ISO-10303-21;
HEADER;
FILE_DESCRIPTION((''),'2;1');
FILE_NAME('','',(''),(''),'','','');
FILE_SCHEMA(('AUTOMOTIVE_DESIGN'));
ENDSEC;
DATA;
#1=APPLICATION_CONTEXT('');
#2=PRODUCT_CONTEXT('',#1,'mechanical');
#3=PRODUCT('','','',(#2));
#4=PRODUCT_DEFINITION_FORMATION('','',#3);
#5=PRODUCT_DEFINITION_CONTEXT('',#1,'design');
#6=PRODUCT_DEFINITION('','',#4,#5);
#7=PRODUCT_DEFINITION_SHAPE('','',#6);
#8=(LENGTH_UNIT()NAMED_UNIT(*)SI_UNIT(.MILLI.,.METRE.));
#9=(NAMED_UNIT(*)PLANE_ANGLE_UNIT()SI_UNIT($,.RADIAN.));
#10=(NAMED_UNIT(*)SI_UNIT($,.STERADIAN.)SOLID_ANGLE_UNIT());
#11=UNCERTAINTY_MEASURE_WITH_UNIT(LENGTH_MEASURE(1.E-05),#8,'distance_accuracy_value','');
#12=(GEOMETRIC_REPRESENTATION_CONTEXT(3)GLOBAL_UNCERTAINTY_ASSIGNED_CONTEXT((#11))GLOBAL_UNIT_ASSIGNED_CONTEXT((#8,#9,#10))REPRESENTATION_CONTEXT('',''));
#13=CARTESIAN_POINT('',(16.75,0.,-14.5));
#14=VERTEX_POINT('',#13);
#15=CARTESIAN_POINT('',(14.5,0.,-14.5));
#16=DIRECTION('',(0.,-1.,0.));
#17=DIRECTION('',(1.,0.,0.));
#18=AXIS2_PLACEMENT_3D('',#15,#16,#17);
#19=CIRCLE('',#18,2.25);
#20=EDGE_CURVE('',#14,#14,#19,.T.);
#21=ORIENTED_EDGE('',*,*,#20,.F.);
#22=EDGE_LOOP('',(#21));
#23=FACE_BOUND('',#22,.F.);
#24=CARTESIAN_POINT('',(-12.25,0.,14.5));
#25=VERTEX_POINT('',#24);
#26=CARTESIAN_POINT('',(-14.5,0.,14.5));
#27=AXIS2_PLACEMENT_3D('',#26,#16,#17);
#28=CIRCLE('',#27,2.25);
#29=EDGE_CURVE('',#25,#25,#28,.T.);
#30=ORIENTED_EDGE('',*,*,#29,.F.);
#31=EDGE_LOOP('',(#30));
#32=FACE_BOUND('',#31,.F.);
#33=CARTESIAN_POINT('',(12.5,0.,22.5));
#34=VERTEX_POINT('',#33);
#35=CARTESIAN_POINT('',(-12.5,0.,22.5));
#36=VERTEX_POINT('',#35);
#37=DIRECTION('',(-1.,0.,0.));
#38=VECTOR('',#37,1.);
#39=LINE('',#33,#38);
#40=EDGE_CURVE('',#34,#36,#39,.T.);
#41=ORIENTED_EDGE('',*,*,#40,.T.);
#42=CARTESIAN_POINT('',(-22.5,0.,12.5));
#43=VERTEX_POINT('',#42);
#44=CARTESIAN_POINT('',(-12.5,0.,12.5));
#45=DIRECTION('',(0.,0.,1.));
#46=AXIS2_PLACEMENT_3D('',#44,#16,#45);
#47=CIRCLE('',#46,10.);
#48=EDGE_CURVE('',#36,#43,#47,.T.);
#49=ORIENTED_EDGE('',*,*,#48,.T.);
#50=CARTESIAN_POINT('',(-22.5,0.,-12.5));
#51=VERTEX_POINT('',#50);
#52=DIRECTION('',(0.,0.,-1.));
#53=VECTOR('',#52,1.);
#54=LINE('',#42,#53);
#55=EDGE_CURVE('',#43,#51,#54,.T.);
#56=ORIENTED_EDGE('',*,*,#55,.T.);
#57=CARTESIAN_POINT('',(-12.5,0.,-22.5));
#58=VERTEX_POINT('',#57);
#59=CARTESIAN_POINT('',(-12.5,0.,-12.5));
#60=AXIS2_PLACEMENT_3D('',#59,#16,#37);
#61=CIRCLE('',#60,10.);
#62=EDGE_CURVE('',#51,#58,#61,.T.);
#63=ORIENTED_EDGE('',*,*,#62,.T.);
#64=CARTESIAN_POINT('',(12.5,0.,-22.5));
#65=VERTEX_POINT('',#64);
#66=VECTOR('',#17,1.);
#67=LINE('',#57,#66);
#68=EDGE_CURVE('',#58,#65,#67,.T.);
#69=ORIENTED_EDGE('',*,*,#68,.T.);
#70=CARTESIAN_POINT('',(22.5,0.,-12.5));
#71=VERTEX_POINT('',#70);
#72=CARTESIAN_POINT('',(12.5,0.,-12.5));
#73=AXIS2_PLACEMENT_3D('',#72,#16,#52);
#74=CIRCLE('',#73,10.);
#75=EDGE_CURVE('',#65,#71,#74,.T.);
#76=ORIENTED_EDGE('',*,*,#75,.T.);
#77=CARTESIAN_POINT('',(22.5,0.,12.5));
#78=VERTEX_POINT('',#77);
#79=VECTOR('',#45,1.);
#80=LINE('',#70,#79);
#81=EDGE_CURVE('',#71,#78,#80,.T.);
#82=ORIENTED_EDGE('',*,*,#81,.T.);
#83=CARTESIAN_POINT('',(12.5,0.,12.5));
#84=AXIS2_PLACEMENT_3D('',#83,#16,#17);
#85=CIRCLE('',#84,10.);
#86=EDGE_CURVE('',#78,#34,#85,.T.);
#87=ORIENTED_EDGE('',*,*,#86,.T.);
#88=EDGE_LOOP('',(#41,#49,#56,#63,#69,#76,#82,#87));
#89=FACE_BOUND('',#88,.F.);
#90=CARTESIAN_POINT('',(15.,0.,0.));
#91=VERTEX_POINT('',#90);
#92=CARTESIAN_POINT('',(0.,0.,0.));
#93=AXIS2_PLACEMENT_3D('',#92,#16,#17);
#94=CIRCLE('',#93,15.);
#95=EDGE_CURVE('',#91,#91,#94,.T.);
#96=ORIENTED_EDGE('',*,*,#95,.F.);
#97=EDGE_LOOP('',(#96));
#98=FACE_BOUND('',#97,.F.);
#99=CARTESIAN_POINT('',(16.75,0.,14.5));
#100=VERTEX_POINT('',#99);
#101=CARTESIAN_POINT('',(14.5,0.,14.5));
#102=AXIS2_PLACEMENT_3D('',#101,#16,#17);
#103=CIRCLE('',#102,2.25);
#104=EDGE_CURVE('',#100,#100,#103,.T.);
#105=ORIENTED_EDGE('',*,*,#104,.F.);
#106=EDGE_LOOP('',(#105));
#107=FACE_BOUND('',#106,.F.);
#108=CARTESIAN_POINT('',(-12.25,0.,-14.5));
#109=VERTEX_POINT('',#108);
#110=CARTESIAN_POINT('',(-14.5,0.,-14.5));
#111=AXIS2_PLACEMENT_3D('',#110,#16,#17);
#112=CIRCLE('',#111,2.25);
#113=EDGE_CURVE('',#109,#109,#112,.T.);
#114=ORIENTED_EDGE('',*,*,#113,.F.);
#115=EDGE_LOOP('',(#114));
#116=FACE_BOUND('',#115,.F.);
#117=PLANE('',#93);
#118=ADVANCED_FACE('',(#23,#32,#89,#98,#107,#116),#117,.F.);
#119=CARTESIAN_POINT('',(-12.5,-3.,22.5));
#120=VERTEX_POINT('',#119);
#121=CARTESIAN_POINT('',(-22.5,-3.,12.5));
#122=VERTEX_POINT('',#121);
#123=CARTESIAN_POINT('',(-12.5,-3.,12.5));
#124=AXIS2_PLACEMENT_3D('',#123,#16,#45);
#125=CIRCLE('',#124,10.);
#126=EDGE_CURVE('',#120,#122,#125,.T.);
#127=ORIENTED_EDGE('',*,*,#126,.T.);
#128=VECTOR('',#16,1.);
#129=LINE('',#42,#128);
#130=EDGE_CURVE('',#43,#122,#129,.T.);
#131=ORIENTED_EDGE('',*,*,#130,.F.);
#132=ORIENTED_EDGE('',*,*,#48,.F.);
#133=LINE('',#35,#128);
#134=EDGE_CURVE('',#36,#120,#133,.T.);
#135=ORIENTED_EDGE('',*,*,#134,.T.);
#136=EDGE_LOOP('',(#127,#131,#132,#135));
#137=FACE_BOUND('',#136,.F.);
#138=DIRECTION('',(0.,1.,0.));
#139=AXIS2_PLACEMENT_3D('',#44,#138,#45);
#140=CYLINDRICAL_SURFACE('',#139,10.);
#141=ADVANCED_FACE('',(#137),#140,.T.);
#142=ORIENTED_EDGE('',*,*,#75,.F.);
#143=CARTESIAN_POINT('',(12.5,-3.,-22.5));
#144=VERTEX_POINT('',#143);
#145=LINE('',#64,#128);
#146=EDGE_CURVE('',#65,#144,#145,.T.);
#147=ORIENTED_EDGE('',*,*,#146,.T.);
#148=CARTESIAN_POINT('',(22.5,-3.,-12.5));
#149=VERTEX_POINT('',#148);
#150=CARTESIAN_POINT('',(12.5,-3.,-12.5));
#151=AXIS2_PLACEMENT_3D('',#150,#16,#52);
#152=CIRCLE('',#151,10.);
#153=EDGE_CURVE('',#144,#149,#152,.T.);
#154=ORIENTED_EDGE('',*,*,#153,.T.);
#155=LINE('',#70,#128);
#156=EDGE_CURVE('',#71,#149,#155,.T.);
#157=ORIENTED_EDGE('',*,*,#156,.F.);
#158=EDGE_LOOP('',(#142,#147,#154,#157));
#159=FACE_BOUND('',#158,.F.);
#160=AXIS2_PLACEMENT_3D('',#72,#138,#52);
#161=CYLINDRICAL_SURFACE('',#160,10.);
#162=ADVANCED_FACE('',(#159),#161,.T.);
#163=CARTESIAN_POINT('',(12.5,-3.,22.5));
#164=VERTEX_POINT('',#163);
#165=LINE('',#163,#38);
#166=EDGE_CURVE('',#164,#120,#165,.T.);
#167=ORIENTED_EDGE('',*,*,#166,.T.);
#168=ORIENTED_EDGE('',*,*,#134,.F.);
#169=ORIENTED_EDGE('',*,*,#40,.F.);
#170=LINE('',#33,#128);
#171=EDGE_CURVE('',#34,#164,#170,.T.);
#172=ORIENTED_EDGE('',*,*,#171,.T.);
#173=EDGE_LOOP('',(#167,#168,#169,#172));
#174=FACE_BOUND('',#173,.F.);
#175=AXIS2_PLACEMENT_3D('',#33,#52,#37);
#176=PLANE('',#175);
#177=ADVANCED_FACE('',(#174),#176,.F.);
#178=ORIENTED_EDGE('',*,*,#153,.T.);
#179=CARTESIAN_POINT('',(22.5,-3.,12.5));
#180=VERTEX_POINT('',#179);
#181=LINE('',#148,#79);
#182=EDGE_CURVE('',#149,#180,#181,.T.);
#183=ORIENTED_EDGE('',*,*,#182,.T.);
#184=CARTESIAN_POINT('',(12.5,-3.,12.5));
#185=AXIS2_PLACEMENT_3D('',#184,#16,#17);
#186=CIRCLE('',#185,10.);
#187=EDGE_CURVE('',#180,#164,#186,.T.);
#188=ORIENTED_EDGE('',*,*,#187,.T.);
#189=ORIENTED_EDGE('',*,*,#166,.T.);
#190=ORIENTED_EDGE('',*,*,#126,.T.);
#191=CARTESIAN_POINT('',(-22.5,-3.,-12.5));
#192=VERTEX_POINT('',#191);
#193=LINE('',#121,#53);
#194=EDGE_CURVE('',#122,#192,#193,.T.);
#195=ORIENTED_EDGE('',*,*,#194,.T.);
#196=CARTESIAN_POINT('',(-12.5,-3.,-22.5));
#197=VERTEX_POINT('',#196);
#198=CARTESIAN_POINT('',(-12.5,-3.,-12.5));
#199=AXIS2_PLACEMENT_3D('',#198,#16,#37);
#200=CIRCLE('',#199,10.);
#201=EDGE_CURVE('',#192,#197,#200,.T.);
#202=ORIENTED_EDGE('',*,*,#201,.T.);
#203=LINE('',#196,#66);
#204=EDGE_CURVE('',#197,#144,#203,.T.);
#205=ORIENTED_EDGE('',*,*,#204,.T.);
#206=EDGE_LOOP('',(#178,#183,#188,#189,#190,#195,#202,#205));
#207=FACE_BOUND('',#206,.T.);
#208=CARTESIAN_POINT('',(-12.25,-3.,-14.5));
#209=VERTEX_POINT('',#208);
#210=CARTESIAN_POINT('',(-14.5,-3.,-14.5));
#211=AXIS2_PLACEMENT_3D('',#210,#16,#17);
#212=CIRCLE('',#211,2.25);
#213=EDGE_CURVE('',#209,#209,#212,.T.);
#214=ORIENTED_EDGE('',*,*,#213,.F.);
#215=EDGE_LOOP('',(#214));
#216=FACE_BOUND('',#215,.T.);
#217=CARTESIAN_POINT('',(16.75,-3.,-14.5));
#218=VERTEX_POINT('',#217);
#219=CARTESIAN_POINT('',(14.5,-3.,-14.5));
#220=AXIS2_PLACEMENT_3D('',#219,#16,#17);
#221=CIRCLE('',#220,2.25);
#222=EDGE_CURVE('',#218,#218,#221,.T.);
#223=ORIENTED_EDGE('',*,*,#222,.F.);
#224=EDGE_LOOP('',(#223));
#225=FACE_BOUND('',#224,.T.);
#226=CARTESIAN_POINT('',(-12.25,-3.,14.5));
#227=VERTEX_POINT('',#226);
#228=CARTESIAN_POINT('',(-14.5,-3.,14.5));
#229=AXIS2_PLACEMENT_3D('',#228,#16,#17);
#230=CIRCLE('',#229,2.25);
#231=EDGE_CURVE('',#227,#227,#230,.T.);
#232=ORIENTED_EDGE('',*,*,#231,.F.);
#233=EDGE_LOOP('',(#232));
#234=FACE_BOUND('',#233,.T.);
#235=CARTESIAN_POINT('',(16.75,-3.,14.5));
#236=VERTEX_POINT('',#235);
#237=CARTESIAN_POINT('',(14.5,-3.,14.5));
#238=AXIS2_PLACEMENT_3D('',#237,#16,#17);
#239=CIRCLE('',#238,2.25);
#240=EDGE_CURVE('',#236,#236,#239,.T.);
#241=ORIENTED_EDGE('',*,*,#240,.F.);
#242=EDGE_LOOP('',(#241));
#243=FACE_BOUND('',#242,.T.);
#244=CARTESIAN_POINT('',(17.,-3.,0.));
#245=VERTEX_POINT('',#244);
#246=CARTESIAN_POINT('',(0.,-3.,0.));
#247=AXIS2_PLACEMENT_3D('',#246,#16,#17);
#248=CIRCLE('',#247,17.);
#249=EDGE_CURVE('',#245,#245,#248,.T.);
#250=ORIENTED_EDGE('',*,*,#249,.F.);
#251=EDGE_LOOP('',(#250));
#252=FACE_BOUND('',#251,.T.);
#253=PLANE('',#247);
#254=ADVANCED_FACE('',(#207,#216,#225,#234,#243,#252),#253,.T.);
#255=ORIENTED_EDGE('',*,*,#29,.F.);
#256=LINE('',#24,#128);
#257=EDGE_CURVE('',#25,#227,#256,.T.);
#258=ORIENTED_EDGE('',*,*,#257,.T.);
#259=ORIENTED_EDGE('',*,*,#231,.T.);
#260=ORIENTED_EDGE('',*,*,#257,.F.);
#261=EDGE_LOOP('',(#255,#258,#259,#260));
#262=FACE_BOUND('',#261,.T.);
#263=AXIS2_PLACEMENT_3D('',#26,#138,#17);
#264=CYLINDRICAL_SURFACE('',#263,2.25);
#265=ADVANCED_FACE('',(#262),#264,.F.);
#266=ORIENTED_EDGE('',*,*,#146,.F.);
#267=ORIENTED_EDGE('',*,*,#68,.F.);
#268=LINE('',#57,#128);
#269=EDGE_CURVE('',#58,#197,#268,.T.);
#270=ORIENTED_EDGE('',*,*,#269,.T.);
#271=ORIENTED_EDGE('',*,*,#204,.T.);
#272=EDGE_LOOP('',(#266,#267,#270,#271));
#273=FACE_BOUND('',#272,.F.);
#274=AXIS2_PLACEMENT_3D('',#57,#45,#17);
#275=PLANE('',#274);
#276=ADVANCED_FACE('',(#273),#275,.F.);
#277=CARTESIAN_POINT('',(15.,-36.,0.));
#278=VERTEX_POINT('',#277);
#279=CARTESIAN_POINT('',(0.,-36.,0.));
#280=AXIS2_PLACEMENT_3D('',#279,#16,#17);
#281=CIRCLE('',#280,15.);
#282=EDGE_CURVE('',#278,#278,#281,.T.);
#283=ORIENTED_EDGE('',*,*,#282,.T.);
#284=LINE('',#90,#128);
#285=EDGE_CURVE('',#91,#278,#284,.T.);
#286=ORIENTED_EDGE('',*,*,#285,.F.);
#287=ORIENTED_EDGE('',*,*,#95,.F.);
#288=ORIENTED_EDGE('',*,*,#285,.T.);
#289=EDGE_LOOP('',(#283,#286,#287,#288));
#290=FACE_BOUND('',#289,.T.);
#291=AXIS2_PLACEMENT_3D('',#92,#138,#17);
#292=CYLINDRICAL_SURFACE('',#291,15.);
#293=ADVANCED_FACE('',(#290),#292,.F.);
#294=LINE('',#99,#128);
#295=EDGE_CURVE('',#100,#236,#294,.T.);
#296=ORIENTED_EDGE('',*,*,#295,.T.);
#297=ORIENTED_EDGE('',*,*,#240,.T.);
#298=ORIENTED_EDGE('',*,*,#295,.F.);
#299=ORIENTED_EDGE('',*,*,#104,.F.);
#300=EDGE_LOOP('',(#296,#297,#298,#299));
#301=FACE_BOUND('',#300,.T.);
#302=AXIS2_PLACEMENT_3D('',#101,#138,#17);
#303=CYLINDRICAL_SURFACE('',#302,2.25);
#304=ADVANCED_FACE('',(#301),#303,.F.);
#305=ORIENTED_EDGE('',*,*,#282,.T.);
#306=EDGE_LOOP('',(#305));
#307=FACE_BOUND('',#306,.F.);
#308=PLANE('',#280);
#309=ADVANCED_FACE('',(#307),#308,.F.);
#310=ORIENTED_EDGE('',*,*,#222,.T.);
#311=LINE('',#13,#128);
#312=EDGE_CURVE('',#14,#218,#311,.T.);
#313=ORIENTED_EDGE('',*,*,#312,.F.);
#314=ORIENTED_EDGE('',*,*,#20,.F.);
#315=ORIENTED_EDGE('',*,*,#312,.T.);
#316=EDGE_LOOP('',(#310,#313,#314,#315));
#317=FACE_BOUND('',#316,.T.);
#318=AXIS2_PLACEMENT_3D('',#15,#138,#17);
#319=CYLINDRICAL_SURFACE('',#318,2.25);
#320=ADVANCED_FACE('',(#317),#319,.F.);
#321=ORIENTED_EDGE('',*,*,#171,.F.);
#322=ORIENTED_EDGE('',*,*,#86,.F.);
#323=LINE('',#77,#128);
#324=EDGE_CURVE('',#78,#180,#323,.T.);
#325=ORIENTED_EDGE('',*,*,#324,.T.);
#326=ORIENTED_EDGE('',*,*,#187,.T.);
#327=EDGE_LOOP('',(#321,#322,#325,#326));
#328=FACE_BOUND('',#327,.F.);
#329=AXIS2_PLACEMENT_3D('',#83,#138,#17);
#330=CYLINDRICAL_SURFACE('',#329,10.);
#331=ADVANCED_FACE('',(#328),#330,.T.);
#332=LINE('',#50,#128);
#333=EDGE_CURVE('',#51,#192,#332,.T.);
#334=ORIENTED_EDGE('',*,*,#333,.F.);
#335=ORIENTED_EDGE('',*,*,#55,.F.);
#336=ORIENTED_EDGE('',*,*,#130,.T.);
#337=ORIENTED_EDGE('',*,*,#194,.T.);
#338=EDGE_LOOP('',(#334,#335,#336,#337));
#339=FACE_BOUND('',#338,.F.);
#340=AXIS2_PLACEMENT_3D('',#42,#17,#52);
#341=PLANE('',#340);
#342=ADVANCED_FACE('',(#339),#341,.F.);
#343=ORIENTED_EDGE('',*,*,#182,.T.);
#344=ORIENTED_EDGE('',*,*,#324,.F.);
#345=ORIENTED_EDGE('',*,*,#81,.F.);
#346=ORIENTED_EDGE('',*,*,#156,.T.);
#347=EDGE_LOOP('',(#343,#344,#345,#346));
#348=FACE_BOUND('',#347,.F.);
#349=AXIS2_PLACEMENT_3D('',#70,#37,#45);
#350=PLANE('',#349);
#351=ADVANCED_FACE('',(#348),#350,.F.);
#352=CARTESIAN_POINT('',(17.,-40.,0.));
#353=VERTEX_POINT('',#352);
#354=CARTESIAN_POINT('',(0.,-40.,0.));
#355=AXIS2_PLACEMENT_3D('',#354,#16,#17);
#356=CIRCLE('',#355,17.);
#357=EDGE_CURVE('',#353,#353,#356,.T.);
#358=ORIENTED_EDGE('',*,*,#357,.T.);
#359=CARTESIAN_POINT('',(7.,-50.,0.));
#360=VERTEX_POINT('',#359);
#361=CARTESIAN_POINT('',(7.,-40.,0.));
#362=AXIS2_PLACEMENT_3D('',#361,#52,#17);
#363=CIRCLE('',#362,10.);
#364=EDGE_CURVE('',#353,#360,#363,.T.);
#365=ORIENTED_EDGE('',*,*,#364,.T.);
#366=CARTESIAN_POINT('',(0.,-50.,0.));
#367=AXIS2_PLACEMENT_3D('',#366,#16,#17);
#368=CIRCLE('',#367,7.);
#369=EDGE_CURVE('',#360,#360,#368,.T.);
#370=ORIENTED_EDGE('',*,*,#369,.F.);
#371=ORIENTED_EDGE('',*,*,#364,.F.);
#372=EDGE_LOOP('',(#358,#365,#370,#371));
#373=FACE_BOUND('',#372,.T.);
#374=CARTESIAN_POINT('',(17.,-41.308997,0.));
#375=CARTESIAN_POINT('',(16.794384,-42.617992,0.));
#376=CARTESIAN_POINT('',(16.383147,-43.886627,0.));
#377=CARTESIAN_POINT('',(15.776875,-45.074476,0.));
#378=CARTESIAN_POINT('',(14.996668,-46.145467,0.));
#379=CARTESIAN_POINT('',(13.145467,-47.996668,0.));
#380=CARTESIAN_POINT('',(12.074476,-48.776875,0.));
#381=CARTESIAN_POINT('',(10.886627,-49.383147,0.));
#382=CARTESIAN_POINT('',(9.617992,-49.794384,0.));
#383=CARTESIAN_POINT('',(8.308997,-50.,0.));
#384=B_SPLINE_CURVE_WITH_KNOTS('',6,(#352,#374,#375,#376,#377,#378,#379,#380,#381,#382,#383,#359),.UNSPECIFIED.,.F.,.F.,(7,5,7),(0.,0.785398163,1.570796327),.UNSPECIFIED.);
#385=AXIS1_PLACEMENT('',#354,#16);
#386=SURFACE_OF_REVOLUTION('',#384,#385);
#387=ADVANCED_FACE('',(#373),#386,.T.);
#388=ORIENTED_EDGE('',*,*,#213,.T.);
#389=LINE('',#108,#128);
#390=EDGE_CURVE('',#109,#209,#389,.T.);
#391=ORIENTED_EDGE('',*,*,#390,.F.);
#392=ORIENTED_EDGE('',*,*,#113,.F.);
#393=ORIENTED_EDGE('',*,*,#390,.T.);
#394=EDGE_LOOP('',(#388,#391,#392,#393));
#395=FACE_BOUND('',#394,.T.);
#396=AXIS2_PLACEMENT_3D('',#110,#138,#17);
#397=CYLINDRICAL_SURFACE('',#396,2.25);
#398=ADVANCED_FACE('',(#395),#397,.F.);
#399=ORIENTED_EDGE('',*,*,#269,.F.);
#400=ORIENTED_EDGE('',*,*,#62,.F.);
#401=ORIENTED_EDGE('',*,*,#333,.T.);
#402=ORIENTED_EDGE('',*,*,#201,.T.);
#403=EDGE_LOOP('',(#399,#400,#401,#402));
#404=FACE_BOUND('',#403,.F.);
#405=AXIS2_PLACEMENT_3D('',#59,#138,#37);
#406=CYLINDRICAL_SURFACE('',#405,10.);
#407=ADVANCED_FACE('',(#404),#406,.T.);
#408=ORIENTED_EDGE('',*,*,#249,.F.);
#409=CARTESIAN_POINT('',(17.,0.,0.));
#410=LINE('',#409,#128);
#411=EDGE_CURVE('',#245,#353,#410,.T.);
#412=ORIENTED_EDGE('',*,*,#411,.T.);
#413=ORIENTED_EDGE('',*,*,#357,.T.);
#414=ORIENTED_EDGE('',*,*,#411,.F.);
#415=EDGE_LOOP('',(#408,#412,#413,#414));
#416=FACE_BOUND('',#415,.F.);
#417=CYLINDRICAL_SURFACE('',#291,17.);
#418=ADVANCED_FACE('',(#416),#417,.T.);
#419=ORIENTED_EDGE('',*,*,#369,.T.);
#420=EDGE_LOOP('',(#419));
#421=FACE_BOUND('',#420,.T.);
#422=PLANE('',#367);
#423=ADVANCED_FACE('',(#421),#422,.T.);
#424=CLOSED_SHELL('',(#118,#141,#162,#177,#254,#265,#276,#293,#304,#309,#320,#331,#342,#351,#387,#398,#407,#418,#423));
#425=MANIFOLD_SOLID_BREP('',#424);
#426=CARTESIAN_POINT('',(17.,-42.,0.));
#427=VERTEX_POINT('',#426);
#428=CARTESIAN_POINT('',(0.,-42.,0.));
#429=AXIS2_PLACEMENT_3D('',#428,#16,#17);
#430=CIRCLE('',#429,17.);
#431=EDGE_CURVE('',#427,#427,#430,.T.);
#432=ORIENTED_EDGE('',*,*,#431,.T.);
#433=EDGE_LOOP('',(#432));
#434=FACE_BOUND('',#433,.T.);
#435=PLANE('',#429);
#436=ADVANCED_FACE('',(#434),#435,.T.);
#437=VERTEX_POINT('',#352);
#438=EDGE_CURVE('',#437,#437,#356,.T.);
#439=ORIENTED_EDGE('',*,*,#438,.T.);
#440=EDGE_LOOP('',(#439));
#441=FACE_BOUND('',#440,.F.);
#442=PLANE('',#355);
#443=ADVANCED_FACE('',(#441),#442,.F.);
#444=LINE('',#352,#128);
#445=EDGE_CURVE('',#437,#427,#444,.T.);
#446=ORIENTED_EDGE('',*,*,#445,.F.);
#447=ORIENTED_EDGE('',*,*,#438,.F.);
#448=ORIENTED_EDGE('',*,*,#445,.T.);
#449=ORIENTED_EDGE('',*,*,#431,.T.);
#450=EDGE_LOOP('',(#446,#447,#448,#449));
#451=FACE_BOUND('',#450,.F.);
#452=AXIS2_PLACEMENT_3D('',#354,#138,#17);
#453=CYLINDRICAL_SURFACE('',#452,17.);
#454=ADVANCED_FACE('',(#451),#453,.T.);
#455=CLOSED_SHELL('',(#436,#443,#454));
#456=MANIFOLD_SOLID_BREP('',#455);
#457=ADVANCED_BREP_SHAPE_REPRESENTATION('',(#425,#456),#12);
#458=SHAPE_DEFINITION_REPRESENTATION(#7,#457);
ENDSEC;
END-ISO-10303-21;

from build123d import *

# Parameters (mm, degrees)
F0_R     = 2.25
F0_R_2   = 17
F1_DEPTH = 3
F0_R_3   = 15
F0_R_4   = 1.75
F2_DEPTH = 50
F3_DEPTH = 36
F4_R     = 10
F5_R     = 17
F5_R_2   = 15
F5_R_3   = 1.75
F6_DEPTH = 2


with BuildPart() as f1:
    # F0 (on Front) → F1 (new body)
    with BuildSketch(Plane.XZ):
        with BuildLine():
            ThreePointArc((22.5, 12.5), (19.5710678119, 19.5710678119), (12.5, 22.5))
            Line((12.5, 22.5), (-12.5, 22.5))
            ThreePointArc((-12.5, 22.5), (-19.5710678119, 19.5710678119), (-22.5, 12.5))
            Line((-22.5, 12.5), (-22.5, -12.5))
            ThreePointArc((-22.5, -12.5), (-19.5710678119, -19.5710678119), (-12.5, -22.5))
            Line((-12.5, -22.5), (12.5, -22.5))
            ThreePointArc((12.5, -22.5), (19.5710678119, -19.5710678119), (22.5, -12.5))
            Line((22.5, -12.5), (22.5, 12.5))
        make_face()
        with Locations((-14.5, -14.5)):
            Circle(F0_R, mode=Mode.SUBTRACT)
        with Locations((14.5, -14.5)):
            Circle(F0_R, mode=Mode.SUBTRACT)
        with Locations((-14.5, 14.5)):
            Circle(F0_R, mode=Mode.SUBTRACT)
        Circle(F0_R_2, mode=Mode.SUBTRACT)
        with Locations((14.5, 14.5)):
            Circle(F0_R, mode=Mode.SUBTRACT)
    extrude(amount=F1_DEPTH)

    # F0 (on Front) → F2 (join)
    with BuildSketch(Plane.XZ):
        Circle(F0_R_2)
        Circle(F0_R_3, mode=Mode.SUBTRACT)
        Circle(F0_R_3)
        Circle(F0_R_4, mode=Mode.SUBTRACT)
        Circle(F0_R_4)
    extrude(amount=F2_DEPTH)

    # F0 (on Front) → F3 (cut)
    with BuildSketch(Plane.XZ):
        Circle(F0_R_3)
        Circle(F0_R_4, mode=Mode.SUBTRACT)
        Circle(F0_R_4)
    extrude(amount=F3_DEPTH, mode=Mode.SUBTRACT)

    # F4
    f4_edges = [f1.edges().sort_by_distance(p)[0] for p in [
        (-17, -50, 0),
    ]]
    fillet(f4_edges, radius=F4_R)


with BuildPart() as f6:
    # F5 (on Front) → F6 (new body)
    with BuildSketch(Plane.XZ):
        Circle(F5_R)
        Circle(F5_R_2, mode=Mode.SUBTRACT)
        Circle(F5_R_2)
        Circle(F5_R_3, mode=Mode.SUBTRACT)
        Circle(F5_R_3)
    extrude(amount=F6_DEPTH)


with BuildPart() as f6_1:
    # F7: moved
    add(f6.part.moved(Location((0, -40, 0))))


solid = Compound([f1.part, f6_1.part])
